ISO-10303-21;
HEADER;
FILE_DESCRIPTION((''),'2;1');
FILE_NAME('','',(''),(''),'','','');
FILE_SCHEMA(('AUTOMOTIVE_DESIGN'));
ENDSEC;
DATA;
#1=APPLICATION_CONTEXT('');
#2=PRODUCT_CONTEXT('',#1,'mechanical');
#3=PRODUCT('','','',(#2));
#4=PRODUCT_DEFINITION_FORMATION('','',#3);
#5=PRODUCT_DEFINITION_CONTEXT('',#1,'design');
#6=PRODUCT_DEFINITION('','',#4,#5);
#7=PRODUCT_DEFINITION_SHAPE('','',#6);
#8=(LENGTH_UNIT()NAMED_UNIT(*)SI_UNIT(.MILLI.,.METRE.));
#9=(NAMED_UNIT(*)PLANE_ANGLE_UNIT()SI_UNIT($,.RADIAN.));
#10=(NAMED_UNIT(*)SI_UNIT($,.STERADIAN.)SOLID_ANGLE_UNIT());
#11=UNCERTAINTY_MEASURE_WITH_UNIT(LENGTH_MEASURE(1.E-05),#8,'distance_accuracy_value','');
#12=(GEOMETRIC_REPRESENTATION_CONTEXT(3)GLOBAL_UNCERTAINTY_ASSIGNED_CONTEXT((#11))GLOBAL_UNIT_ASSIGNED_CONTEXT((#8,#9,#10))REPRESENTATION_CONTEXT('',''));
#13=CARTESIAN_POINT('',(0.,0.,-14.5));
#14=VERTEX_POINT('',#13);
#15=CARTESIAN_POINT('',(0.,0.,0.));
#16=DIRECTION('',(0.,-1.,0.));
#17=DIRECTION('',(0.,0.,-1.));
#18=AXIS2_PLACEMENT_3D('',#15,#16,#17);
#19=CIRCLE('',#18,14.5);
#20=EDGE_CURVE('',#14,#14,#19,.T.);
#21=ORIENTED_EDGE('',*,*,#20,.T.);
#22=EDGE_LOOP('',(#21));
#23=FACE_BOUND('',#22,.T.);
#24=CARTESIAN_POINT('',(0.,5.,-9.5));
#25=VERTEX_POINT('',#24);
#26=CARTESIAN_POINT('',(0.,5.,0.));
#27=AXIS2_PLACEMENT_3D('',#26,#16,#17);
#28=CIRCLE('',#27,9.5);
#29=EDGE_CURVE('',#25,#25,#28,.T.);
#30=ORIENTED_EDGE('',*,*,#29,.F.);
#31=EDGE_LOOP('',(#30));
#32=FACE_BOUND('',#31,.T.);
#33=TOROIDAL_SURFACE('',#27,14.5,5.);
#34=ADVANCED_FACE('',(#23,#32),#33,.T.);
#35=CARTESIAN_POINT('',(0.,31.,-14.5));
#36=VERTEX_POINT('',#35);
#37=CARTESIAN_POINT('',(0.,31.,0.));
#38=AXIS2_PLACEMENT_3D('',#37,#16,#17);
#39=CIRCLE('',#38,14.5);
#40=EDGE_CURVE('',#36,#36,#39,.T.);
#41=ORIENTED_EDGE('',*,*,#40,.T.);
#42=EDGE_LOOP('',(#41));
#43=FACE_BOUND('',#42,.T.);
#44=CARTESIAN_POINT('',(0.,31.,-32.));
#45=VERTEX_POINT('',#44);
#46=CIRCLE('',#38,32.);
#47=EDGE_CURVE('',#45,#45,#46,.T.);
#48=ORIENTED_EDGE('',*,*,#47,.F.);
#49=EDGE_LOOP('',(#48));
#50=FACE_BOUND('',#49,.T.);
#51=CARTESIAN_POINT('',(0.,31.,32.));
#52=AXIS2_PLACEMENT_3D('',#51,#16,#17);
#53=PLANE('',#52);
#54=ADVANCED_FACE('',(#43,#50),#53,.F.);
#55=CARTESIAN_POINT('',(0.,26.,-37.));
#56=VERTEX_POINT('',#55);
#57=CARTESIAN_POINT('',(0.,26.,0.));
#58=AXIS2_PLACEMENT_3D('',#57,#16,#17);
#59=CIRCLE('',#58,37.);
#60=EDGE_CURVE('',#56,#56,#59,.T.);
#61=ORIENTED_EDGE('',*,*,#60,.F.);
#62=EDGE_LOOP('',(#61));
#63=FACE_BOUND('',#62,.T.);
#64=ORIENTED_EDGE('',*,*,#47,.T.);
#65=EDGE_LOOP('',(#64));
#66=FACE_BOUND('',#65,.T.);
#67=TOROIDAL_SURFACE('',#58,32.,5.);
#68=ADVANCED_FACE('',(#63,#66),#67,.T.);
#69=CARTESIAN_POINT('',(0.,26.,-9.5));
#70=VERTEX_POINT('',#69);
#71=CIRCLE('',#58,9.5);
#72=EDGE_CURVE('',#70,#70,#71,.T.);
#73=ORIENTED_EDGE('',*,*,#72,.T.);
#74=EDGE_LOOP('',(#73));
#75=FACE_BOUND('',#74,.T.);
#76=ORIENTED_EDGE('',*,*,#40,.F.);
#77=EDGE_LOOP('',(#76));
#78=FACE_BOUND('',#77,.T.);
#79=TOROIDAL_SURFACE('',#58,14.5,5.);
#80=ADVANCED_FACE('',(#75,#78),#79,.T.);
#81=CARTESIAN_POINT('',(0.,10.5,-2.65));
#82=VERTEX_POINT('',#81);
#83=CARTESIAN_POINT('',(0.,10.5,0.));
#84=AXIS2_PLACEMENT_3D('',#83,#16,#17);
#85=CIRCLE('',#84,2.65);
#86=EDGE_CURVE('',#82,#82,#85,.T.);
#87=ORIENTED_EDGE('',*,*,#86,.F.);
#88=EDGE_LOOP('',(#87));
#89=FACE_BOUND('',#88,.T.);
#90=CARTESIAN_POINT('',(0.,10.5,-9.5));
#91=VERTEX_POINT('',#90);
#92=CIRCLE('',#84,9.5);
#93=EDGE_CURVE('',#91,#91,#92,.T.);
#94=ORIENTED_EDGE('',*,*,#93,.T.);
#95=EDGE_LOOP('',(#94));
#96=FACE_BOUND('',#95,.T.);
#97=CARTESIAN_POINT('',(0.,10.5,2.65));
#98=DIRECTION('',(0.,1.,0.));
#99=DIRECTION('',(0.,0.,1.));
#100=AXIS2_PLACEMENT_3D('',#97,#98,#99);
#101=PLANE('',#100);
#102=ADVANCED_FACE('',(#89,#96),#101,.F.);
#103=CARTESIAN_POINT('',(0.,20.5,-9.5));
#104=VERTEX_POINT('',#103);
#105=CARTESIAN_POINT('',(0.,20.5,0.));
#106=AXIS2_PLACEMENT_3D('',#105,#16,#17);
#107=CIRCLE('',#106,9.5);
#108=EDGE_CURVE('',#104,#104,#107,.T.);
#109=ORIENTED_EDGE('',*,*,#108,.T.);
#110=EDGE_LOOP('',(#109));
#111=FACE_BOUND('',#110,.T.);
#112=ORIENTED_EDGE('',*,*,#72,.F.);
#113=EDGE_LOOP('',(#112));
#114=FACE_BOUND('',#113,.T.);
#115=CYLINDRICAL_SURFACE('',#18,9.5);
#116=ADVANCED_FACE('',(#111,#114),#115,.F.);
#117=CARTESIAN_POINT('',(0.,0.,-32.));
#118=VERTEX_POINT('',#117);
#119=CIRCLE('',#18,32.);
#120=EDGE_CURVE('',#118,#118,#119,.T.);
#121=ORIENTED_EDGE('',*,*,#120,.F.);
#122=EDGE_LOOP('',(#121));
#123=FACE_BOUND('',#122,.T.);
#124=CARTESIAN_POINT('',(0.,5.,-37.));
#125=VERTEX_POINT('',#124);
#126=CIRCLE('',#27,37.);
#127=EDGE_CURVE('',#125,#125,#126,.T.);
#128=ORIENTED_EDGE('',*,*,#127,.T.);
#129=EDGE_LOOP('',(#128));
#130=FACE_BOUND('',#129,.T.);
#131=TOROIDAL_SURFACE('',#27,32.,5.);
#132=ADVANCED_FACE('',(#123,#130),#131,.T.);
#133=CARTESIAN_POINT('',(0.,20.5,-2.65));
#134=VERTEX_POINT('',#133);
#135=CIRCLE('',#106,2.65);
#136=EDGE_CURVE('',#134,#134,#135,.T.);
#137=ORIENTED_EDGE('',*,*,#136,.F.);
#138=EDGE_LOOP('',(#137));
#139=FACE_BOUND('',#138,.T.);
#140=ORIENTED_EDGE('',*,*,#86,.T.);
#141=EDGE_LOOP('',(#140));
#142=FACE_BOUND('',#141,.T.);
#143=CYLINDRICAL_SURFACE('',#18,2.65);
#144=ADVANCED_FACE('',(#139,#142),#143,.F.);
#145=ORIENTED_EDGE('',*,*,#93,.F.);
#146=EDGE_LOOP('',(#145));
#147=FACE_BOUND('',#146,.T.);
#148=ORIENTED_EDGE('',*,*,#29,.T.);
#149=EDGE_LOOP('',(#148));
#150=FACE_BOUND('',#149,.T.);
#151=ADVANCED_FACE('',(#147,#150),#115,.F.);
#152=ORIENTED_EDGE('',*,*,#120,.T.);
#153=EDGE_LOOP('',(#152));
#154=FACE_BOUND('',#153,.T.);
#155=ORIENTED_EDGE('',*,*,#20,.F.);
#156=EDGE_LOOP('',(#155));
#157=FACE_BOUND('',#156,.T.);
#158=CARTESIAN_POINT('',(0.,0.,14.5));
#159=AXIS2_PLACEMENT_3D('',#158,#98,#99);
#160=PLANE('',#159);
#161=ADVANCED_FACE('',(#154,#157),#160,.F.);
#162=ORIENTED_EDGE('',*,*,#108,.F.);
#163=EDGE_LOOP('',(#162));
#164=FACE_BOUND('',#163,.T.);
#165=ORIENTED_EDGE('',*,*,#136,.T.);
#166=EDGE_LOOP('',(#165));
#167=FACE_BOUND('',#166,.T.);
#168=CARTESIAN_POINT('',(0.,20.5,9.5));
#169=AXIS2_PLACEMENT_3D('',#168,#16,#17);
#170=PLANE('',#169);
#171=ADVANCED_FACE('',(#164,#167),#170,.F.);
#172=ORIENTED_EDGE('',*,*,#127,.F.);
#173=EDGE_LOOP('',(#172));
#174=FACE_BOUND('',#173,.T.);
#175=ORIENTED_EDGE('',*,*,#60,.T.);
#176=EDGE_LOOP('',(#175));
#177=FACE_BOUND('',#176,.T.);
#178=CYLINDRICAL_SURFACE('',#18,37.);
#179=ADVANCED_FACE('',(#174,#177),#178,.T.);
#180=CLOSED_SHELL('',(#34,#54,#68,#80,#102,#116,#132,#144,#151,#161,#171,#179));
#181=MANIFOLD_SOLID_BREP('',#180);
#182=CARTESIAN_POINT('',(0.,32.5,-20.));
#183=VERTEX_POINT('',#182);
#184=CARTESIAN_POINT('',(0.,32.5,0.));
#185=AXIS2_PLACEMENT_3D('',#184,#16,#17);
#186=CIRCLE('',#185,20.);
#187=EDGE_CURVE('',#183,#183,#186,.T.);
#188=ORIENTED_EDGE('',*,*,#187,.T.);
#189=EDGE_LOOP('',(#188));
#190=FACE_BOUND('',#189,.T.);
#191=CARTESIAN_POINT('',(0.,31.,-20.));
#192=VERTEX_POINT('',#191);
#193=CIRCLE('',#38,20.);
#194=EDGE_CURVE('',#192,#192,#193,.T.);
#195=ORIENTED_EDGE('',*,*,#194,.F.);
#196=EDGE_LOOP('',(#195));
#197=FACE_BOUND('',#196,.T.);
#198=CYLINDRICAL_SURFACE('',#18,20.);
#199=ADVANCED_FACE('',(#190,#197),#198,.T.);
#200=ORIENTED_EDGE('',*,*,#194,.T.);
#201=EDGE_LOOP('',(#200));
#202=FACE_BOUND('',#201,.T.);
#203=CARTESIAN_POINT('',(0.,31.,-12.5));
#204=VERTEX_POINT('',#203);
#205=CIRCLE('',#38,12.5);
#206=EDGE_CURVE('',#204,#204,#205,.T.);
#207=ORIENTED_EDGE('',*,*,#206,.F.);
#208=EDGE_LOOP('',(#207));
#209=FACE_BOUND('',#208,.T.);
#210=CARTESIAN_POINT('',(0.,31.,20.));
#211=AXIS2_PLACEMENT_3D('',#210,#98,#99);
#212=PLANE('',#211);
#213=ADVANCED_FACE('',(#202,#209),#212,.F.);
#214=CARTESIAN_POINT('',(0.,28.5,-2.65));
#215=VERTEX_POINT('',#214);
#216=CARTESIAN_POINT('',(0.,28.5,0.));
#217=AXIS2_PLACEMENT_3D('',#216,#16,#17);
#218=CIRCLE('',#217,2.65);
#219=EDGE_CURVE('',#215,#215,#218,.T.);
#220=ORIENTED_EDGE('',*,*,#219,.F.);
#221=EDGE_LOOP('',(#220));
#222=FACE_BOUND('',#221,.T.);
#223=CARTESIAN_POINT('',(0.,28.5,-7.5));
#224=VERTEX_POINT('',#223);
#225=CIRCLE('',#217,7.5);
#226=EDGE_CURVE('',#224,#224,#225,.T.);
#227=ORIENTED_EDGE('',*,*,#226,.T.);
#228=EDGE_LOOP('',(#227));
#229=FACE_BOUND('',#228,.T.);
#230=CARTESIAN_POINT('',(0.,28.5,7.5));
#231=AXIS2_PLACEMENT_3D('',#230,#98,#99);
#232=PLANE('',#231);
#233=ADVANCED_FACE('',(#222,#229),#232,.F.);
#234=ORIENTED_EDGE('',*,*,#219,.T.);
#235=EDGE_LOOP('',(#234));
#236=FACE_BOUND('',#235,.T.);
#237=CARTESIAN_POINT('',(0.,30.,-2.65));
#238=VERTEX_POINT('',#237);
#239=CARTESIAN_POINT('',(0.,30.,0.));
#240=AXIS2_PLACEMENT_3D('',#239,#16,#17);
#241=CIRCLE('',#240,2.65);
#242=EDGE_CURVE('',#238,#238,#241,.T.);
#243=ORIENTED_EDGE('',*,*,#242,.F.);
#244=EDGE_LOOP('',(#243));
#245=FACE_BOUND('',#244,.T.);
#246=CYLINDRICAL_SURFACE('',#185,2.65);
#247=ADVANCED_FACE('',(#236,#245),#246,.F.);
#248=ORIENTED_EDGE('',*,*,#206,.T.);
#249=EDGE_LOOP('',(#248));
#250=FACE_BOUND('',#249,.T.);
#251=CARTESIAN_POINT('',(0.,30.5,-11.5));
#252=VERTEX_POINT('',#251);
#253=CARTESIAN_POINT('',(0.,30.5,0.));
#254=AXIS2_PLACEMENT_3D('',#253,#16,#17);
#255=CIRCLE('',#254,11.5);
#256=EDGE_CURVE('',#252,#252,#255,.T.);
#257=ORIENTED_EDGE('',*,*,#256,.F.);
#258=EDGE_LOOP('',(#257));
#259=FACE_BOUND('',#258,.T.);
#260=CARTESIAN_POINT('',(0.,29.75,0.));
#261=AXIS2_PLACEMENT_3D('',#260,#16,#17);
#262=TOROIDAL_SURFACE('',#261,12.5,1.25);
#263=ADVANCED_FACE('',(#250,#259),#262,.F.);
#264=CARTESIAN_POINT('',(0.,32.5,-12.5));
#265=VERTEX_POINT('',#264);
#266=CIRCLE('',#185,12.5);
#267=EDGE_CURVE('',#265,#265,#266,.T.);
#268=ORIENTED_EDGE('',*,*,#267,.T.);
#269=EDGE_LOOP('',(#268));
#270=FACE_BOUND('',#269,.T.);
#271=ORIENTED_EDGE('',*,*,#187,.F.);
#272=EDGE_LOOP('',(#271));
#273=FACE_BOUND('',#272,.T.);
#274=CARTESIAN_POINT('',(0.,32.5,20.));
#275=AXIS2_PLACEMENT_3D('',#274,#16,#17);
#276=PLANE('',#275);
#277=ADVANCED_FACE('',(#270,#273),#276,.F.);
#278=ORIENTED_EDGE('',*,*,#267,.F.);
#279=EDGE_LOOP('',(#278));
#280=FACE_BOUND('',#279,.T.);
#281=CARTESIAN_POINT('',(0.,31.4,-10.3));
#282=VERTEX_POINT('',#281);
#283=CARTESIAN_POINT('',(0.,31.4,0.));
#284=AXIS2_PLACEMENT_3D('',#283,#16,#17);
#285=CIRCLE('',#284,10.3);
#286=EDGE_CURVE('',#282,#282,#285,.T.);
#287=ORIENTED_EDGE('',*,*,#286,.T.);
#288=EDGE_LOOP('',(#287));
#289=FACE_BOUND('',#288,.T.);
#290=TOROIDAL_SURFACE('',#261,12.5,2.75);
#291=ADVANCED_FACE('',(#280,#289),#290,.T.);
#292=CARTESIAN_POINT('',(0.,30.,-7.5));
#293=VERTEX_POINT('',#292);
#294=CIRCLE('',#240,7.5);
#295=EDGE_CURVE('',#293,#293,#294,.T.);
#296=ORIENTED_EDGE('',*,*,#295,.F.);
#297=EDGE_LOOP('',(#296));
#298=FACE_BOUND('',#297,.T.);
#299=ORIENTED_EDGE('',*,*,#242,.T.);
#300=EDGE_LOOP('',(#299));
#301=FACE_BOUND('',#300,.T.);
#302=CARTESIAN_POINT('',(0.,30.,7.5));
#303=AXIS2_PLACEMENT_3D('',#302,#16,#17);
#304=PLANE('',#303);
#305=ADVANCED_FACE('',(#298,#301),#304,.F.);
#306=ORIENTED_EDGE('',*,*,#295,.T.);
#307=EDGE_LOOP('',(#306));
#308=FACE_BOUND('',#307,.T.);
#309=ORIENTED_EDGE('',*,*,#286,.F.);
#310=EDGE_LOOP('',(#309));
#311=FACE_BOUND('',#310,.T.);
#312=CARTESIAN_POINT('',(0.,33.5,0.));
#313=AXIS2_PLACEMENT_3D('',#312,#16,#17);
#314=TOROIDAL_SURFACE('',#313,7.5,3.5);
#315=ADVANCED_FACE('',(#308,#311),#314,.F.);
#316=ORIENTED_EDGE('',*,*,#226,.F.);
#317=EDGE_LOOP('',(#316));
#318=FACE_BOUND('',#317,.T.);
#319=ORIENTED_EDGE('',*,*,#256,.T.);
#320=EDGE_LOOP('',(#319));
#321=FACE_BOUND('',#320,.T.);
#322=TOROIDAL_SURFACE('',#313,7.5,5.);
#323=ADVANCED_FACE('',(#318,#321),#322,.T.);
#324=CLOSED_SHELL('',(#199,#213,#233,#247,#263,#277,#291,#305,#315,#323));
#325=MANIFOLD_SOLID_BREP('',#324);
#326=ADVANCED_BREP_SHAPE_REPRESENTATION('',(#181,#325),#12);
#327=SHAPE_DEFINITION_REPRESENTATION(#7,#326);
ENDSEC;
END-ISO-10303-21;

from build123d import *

# Parameters (mm, degrees)
SKETCH3_R          = 2.65
CUT_EXTRUDE1_DEPTH = 60.583974418


with BuildPart() as part:
    # Sketch1 → Revolve1 (revolve)
    with BuildSketch(Plane(origin=(0, 0, 0), x_dir=(0, 0, -1), z_dir=(1, 0, 0)), mode=Mode.PRIVATE) as revolve1_sk:
        with BuildLine():
            Line((-2.65, 20.5), (-2.65, 10.5))
            Line((-2.65, 10.5), (-9.5, 10.5))
            Line((-9.5, 10.5), (-9.5, 5))
            ThreePointArc((-9.5, 5), (-10.964466094, 1.464466094), (-14.5, 0))
            Line((-14.5, 0), (-32, 0))
            ThreePointArc((-32, 0), (-35.535533906, 1.464466094), (-37, 5))
            Line((-37, 5), (-37, 26))
            ThreePointArc((-37, 26), (-35.535533906, 29.535533906), (-32, 31))
            Line((-32, 31), (-14.5, 31))
            ThreePointArc((-14.5, 31), (-10.964466094, 29.535533906), (-9.5, 26))
            Line((-9.5, 26), (-9.5, 20.5))
            Line((-9.5, 20.5), (-2.65, 20.5))
        make_face()
    revolve(revolve1_sk.sketch.rotate(Axis((0, 0, 0), (0, 1, 0)), 180), axis=Axis((0, 0, 0), (0, 1, 0)))


with BuildPart() as body_2:
    # Sketch2 → Revolve2 (revolve)
    with BuildSketch(Plane(origin=(0, 0, 0), x_dir=(0, 0, -1), z_dir=(1, 0, 0)), mode=Mode.PRIVATE) as revolve2_sk:
        with BuildLine():
            Line((-20, 31), (-12.5, 31))
            ThreePointArc((-12.5, 31), (-11.940983006, 30.868033989), (-11.5, 30.5))
            ThreePointArc((-11.5, 30.5), (-9.736067977, 29.027864045), (-7.5, 28.5))
            Line((-7.5, 28.5), (0, 28.5))
            Line((0, 28.5), (0, 30))
            Line((0, 30), (-7.5, 30))
            ThreePointArc((-7.5, 30), (-9.065247584, 30.369504832), (-10.3, 31.4))
            ThreePointArc((-10.3, 31.4), (-11.270162612, 32.209674775), (-12.5, 32.5))
            Line((-12.5, 32.5), (-20, 32.5))
            Line((-20, 32.5), (-20, 31))
        make_face()
    revolve(revolve2_sk.sketch.rotate(Axis((0, 0, 0), (0, 1, 0)), 180), axis=Axis((0, 0, 0), (0, 1, 0)))

    # Sketch3 → Cut-Extrude1 (cut, through all)
    with BuildSketch(Plane.XZ.offset(-28.5)):
        with Locations(Location((0, 0, 0), (0, 0, 270))):
            Circle(SKETCH3_R)
    extrude(amount=-CUT_EXTRUDE1_DEPTH, mode=Mode.SUBTRACT)


solid = Compound([part.part, body_2.part])
